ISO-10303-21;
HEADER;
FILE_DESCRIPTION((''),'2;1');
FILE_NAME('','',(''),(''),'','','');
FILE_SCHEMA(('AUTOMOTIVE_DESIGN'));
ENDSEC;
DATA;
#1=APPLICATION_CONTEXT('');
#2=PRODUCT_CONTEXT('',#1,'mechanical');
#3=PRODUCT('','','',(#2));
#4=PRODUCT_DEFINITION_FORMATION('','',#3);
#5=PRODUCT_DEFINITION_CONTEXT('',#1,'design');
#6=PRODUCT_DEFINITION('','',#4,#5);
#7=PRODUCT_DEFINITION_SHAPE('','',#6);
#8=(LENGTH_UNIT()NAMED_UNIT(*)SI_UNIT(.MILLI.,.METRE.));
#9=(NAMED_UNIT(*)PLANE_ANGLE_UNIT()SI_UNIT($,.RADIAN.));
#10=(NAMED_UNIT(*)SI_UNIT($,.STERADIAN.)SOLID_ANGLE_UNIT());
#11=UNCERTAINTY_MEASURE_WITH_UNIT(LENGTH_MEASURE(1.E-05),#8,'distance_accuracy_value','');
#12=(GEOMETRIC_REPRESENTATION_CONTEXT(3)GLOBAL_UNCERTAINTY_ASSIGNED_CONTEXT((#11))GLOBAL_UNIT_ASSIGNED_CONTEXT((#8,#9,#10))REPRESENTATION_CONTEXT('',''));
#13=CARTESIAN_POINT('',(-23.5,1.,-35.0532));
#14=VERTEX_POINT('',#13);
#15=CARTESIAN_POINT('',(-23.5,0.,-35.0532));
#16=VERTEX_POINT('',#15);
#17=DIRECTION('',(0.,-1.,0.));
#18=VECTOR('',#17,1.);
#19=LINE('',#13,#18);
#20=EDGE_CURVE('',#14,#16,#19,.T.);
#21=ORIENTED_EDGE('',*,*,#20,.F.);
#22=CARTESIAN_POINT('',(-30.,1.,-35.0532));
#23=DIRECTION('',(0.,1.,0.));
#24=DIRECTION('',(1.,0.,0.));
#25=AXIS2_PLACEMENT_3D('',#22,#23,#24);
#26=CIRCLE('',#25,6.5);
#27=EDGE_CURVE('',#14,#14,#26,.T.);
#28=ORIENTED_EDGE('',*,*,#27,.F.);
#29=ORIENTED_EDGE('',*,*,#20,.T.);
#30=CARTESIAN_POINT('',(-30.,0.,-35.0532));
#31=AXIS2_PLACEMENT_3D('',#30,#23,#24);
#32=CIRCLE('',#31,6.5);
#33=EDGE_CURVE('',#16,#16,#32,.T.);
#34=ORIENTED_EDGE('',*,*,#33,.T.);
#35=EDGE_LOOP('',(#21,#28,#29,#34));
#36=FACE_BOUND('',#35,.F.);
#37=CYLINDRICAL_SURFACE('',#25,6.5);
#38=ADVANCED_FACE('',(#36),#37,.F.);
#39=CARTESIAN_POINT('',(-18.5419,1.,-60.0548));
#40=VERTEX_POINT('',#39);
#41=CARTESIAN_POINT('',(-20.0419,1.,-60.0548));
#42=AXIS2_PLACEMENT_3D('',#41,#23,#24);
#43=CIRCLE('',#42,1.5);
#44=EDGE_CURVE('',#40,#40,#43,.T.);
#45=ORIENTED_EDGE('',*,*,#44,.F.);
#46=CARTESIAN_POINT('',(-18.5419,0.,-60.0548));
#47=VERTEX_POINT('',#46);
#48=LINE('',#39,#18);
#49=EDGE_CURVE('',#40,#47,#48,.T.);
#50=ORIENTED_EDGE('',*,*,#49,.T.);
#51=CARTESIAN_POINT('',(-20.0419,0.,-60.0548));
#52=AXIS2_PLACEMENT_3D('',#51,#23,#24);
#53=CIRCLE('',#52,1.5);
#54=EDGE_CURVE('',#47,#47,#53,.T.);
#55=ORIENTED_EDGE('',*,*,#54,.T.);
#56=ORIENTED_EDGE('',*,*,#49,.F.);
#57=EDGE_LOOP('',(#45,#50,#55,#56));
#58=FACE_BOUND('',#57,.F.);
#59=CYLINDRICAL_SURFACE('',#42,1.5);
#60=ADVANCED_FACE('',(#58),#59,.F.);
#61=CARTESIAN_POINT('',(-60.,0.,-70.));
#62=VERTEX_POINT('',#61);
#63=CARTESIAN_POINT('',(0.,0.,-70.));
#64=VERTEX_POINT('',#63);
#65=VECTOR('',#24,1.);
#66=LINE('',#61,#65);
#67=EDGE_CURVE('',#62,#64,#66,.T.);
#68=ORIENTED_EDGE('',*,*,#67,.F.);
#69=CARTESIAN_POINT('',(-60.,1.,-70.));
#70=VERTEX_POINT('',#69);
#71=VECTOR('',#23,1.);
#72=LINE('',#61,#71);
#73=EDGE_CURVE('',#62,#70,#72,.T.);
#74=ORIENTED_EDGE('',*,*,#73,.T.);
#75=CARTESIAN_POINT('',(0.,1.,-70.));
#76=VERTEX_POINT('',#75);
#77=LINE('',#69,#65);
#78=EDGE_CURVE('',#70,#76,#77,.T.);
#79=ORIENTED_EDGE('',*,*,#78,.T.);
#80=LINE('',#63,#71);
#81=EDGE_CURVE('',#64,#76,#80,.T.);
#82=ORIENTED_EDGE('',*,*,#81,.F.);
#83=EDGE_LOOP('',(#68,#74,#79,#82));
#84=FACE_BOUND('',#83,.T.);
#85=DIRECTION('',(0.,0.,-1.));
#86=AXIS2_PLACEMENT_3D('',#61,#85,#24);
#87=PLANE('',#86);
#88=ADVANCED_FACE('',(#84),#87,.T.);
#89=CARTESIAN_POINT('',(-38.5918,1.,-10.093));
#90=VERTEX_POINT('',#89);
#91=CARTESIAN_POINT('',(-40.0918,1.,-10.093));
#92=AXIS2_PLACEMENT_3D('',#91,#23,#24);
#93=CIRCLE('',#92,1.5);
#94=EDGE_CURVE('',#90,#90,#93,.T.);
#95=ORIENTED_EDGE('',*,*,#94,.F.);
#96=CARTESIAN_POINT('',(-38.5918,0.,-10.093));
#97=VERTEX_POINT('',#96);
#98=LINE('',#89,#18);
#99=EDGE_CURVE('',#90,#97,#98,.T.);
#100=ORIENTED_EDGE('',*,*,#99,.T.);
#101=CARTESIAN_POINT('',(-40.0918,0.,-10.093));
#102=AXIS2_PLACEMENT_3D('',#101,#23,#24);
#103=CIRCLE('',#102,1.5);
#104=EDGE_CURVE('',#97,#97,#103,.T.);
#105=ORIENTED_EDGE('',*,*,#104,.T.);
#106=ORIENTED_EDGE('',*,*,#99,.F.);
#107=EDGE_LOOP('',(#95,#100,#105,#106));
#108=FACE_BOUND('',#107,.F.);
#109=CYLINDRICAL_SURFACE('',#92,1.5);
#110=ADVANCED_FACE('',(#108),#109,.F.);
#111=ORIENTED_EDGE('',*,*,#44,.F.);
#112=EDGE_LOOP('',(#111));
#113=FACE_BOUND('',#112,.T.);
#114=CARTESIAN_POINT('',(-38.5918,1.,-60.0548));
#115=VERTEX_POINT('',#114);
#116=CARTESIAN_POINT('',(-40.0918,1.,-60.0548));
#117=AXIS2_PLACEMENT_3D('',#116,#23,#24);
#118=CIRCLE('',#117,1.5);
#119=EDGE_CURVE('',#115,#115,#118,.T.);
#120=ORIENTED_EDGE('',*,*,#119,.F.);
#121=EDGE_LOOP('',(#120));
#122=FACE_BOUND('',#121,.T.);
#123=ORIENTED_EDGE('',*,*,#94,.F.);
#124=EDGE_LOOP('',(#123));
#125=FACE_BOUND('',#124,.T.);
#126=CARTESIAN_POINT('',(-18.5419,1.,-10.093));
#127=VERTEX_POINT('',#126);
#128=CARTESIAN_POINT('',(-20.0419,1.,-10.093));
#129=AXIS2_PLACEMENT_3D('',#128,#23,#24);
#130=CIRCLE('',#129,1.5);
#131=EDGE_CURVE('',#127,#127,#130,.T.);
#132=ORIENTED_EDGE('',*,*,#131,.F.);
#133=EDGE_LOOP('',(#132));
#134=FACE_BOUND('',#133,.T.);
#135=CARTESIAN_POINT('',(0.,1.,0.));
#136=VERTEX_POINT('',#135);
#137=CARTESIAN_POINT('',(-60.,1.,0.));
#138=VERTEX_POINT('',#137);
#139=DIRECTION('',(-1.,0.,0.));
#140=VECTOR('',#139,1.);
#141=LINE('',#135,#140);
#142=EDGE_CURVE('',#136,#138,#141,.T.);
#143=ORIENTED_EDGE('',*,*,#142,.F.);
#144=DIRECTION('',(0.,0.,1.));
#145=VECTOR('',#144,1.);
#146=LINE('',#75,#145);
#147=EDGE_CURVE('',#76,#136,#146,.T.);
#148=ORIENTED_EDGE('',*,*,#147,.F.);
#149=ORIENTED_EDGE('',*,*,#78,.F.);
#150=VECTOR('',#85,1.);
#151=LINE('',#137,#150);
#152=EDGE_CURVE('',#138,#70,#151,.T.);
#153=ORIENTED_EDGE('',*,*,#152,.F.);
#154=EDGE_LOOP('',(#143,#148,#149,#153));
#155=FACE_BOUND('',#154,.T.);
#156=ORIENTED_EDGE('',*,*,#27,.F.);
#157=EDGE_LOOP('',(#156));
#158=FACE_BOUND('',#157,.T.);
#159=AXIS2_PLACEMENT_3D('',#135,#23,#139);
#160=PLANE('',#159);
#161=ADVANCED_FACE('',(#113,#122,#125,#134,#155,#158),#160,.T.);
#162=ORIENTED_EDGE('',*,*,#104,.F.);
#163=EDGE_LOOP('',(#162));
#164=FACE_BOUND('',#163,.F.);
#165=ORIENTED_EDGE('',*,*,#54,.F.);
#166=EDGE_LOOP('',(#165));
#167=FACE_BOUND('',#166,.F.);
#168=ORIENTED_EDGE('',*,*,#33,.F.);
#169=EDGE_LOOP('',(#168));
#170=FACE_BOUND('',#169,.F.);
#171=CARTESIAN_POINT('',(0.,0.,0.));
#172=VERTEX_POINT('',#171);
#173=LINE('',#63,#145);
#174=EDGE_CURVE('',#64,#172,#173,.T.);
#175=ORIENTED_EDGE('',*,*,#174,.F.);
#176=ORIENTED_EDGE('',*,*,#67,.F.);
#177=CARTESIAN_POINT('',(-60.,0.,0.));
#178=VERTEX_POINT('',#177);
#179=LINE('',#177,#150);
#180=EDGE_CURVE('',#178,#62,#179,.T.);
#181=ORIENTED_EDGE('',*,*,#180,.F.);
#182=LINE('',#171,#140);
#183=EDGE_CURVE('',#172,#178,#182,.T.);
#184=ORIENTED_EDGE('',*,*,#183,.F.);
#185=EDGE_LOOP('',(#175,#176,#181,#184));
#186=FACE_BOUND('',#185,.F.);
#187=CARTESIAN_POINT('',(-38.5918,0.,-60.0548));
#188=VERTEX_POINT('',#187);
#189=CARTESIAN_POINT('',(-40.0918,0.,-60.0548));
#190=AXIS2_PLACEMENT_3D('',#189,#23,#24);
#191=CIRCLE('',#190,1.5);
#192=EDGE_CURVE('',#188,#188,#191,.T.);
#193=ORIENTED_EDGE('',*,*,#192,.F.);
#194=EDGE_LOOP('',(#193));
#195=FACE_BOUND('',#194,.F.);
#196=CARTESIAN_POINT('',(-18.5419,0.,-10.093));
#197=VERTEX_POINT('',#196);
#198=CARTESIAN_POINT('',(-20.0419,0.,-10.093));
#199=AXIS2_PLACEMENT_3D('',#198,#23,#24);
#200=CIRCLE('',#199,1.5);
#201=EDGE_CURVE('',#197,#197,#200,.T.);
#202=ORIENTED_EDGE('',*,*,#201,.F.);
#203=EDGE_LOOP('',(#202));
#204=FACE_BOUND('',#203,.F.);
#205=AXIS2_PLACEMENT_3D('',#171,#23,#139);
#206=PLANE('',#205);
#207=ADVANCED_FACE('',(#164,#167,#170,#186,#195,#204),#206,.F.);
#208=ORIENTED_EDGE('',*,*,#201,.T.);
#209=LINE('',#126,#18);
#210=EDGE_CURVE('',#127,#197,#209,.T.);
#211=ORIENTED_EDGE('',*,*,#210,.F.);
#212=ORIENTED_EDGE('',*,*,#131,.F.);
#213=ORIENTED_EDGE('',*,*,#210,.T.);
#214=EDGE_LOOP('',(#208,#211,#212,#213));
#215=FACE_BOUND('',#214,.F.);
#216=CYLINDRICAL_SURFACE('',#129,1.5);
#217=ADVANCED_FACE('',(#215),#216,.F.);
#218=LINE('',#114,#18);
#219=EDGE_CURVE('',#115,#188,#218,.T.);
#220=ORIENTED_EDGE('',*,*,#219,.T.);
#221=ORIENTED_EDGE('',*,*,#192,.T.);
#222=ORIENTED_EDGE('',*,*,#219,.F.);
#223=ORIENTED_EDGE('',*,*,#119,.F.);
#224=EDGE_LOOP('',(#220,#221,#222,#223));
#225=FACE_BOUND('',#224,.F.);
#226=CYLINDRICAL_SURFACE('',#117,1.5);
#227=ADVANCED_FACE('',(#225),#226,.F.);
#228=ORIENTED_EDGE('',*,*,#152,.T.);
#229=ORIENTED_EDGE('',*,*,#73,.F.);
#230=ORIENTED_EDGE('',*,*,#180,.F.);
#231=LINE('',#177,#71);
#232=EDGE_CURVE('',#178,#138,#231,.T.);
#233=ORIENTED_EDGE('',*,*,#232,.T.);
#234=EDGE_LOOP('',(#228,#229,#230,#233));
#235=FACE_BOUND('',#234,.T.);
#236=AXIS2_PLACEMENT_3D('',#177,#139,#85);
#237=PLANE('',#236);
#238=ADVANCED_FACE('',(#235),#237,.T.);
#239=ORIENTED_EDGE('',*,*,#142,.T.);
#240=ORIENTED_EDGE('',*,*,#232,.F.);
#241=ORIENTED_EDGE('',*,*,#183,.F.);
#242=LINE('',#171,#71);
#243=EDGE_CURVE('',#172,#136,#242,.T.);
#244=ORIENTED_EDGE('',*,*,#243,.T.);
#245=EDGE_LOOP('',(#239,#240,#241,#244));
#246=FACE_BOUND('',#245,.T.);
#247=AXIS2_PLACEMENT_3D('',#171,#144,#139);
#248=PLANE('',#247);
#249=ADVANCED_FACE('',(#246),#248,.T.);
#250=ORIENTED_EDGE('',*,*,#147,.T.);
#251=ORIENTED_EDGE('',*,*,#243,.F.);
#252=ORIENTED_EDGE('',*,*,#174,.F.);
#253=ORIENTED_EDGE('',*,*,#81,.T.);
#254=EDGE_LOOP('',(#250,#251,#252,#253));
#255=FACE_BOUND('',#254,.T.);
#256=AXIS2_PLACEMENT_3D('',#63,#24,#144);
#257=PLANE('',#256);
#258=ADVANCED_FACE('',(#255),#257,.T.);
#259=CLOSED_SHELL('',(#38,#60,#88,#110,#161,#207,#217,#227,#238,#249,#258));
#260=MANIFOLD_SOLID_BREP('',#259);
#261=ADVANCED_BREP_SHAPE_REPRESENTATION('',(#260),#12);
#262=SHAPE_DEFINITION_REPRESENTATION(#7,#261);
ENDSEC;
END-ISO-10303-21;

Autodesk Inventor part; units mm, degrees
ref_plane "YZ Plane" through (0, 0, 0) normal (1, 0, 0) x (0, 1, 0)
ref_plane "XZ Plane" through (0, 0, 0) normal (0, 1, 0) x (-1, 0, 0)
ref_plane "XY Plane" through (0, 0, 0) normal (0, 0, 1) x (1, 0, 0)
sketch "Sketch1" plane through (0, 0, 0) normal (0, 1, 0) x (-1, 0, 0)
  line L0 (0, 0) -> (60, 0)
  line L1 (60, 0) -> (60, -70)
  line L2 (60, -70) -> (0, -70)
  line L3 (0, -70) -> (0, 0)
  dimension "d0" = 60
  dimension "d1" = 70
extrude "Extrusion1" add sketch "Sketch1" along normal blind 1
sketch "Sketch2" plane through (0, 1, 0) normal (0, 1, 0) x (1, 0, 0)
  circle A0 centre (-40.0918, 10.093) radius 1.5
  circle A1 centre (-40.0918, 60.0548) radius 1.5
  circle A2 centre (-20.0419, 10.093) radius 1.5
  circle A3 centre (-20.0419, 60.0548) radius 1.5
  circle A4 centre (-30, 35.0532) radius 6.5
  point P0 (0, 0)
  dimension "d4" = 3
  dimension "d5" = 3
  dimension "d6" = 3
  dimension "d7" = 3
  dimension "d8" = 13
extrude "Extrusion2" cut sketch "Sketch2" against normal blind 1
sketch "Sketch3" plane through (0, 1, 0) normal (0, 1, 0) x (1, 0, 0)
  point P0 (0, 0)
properties part number "movement"
